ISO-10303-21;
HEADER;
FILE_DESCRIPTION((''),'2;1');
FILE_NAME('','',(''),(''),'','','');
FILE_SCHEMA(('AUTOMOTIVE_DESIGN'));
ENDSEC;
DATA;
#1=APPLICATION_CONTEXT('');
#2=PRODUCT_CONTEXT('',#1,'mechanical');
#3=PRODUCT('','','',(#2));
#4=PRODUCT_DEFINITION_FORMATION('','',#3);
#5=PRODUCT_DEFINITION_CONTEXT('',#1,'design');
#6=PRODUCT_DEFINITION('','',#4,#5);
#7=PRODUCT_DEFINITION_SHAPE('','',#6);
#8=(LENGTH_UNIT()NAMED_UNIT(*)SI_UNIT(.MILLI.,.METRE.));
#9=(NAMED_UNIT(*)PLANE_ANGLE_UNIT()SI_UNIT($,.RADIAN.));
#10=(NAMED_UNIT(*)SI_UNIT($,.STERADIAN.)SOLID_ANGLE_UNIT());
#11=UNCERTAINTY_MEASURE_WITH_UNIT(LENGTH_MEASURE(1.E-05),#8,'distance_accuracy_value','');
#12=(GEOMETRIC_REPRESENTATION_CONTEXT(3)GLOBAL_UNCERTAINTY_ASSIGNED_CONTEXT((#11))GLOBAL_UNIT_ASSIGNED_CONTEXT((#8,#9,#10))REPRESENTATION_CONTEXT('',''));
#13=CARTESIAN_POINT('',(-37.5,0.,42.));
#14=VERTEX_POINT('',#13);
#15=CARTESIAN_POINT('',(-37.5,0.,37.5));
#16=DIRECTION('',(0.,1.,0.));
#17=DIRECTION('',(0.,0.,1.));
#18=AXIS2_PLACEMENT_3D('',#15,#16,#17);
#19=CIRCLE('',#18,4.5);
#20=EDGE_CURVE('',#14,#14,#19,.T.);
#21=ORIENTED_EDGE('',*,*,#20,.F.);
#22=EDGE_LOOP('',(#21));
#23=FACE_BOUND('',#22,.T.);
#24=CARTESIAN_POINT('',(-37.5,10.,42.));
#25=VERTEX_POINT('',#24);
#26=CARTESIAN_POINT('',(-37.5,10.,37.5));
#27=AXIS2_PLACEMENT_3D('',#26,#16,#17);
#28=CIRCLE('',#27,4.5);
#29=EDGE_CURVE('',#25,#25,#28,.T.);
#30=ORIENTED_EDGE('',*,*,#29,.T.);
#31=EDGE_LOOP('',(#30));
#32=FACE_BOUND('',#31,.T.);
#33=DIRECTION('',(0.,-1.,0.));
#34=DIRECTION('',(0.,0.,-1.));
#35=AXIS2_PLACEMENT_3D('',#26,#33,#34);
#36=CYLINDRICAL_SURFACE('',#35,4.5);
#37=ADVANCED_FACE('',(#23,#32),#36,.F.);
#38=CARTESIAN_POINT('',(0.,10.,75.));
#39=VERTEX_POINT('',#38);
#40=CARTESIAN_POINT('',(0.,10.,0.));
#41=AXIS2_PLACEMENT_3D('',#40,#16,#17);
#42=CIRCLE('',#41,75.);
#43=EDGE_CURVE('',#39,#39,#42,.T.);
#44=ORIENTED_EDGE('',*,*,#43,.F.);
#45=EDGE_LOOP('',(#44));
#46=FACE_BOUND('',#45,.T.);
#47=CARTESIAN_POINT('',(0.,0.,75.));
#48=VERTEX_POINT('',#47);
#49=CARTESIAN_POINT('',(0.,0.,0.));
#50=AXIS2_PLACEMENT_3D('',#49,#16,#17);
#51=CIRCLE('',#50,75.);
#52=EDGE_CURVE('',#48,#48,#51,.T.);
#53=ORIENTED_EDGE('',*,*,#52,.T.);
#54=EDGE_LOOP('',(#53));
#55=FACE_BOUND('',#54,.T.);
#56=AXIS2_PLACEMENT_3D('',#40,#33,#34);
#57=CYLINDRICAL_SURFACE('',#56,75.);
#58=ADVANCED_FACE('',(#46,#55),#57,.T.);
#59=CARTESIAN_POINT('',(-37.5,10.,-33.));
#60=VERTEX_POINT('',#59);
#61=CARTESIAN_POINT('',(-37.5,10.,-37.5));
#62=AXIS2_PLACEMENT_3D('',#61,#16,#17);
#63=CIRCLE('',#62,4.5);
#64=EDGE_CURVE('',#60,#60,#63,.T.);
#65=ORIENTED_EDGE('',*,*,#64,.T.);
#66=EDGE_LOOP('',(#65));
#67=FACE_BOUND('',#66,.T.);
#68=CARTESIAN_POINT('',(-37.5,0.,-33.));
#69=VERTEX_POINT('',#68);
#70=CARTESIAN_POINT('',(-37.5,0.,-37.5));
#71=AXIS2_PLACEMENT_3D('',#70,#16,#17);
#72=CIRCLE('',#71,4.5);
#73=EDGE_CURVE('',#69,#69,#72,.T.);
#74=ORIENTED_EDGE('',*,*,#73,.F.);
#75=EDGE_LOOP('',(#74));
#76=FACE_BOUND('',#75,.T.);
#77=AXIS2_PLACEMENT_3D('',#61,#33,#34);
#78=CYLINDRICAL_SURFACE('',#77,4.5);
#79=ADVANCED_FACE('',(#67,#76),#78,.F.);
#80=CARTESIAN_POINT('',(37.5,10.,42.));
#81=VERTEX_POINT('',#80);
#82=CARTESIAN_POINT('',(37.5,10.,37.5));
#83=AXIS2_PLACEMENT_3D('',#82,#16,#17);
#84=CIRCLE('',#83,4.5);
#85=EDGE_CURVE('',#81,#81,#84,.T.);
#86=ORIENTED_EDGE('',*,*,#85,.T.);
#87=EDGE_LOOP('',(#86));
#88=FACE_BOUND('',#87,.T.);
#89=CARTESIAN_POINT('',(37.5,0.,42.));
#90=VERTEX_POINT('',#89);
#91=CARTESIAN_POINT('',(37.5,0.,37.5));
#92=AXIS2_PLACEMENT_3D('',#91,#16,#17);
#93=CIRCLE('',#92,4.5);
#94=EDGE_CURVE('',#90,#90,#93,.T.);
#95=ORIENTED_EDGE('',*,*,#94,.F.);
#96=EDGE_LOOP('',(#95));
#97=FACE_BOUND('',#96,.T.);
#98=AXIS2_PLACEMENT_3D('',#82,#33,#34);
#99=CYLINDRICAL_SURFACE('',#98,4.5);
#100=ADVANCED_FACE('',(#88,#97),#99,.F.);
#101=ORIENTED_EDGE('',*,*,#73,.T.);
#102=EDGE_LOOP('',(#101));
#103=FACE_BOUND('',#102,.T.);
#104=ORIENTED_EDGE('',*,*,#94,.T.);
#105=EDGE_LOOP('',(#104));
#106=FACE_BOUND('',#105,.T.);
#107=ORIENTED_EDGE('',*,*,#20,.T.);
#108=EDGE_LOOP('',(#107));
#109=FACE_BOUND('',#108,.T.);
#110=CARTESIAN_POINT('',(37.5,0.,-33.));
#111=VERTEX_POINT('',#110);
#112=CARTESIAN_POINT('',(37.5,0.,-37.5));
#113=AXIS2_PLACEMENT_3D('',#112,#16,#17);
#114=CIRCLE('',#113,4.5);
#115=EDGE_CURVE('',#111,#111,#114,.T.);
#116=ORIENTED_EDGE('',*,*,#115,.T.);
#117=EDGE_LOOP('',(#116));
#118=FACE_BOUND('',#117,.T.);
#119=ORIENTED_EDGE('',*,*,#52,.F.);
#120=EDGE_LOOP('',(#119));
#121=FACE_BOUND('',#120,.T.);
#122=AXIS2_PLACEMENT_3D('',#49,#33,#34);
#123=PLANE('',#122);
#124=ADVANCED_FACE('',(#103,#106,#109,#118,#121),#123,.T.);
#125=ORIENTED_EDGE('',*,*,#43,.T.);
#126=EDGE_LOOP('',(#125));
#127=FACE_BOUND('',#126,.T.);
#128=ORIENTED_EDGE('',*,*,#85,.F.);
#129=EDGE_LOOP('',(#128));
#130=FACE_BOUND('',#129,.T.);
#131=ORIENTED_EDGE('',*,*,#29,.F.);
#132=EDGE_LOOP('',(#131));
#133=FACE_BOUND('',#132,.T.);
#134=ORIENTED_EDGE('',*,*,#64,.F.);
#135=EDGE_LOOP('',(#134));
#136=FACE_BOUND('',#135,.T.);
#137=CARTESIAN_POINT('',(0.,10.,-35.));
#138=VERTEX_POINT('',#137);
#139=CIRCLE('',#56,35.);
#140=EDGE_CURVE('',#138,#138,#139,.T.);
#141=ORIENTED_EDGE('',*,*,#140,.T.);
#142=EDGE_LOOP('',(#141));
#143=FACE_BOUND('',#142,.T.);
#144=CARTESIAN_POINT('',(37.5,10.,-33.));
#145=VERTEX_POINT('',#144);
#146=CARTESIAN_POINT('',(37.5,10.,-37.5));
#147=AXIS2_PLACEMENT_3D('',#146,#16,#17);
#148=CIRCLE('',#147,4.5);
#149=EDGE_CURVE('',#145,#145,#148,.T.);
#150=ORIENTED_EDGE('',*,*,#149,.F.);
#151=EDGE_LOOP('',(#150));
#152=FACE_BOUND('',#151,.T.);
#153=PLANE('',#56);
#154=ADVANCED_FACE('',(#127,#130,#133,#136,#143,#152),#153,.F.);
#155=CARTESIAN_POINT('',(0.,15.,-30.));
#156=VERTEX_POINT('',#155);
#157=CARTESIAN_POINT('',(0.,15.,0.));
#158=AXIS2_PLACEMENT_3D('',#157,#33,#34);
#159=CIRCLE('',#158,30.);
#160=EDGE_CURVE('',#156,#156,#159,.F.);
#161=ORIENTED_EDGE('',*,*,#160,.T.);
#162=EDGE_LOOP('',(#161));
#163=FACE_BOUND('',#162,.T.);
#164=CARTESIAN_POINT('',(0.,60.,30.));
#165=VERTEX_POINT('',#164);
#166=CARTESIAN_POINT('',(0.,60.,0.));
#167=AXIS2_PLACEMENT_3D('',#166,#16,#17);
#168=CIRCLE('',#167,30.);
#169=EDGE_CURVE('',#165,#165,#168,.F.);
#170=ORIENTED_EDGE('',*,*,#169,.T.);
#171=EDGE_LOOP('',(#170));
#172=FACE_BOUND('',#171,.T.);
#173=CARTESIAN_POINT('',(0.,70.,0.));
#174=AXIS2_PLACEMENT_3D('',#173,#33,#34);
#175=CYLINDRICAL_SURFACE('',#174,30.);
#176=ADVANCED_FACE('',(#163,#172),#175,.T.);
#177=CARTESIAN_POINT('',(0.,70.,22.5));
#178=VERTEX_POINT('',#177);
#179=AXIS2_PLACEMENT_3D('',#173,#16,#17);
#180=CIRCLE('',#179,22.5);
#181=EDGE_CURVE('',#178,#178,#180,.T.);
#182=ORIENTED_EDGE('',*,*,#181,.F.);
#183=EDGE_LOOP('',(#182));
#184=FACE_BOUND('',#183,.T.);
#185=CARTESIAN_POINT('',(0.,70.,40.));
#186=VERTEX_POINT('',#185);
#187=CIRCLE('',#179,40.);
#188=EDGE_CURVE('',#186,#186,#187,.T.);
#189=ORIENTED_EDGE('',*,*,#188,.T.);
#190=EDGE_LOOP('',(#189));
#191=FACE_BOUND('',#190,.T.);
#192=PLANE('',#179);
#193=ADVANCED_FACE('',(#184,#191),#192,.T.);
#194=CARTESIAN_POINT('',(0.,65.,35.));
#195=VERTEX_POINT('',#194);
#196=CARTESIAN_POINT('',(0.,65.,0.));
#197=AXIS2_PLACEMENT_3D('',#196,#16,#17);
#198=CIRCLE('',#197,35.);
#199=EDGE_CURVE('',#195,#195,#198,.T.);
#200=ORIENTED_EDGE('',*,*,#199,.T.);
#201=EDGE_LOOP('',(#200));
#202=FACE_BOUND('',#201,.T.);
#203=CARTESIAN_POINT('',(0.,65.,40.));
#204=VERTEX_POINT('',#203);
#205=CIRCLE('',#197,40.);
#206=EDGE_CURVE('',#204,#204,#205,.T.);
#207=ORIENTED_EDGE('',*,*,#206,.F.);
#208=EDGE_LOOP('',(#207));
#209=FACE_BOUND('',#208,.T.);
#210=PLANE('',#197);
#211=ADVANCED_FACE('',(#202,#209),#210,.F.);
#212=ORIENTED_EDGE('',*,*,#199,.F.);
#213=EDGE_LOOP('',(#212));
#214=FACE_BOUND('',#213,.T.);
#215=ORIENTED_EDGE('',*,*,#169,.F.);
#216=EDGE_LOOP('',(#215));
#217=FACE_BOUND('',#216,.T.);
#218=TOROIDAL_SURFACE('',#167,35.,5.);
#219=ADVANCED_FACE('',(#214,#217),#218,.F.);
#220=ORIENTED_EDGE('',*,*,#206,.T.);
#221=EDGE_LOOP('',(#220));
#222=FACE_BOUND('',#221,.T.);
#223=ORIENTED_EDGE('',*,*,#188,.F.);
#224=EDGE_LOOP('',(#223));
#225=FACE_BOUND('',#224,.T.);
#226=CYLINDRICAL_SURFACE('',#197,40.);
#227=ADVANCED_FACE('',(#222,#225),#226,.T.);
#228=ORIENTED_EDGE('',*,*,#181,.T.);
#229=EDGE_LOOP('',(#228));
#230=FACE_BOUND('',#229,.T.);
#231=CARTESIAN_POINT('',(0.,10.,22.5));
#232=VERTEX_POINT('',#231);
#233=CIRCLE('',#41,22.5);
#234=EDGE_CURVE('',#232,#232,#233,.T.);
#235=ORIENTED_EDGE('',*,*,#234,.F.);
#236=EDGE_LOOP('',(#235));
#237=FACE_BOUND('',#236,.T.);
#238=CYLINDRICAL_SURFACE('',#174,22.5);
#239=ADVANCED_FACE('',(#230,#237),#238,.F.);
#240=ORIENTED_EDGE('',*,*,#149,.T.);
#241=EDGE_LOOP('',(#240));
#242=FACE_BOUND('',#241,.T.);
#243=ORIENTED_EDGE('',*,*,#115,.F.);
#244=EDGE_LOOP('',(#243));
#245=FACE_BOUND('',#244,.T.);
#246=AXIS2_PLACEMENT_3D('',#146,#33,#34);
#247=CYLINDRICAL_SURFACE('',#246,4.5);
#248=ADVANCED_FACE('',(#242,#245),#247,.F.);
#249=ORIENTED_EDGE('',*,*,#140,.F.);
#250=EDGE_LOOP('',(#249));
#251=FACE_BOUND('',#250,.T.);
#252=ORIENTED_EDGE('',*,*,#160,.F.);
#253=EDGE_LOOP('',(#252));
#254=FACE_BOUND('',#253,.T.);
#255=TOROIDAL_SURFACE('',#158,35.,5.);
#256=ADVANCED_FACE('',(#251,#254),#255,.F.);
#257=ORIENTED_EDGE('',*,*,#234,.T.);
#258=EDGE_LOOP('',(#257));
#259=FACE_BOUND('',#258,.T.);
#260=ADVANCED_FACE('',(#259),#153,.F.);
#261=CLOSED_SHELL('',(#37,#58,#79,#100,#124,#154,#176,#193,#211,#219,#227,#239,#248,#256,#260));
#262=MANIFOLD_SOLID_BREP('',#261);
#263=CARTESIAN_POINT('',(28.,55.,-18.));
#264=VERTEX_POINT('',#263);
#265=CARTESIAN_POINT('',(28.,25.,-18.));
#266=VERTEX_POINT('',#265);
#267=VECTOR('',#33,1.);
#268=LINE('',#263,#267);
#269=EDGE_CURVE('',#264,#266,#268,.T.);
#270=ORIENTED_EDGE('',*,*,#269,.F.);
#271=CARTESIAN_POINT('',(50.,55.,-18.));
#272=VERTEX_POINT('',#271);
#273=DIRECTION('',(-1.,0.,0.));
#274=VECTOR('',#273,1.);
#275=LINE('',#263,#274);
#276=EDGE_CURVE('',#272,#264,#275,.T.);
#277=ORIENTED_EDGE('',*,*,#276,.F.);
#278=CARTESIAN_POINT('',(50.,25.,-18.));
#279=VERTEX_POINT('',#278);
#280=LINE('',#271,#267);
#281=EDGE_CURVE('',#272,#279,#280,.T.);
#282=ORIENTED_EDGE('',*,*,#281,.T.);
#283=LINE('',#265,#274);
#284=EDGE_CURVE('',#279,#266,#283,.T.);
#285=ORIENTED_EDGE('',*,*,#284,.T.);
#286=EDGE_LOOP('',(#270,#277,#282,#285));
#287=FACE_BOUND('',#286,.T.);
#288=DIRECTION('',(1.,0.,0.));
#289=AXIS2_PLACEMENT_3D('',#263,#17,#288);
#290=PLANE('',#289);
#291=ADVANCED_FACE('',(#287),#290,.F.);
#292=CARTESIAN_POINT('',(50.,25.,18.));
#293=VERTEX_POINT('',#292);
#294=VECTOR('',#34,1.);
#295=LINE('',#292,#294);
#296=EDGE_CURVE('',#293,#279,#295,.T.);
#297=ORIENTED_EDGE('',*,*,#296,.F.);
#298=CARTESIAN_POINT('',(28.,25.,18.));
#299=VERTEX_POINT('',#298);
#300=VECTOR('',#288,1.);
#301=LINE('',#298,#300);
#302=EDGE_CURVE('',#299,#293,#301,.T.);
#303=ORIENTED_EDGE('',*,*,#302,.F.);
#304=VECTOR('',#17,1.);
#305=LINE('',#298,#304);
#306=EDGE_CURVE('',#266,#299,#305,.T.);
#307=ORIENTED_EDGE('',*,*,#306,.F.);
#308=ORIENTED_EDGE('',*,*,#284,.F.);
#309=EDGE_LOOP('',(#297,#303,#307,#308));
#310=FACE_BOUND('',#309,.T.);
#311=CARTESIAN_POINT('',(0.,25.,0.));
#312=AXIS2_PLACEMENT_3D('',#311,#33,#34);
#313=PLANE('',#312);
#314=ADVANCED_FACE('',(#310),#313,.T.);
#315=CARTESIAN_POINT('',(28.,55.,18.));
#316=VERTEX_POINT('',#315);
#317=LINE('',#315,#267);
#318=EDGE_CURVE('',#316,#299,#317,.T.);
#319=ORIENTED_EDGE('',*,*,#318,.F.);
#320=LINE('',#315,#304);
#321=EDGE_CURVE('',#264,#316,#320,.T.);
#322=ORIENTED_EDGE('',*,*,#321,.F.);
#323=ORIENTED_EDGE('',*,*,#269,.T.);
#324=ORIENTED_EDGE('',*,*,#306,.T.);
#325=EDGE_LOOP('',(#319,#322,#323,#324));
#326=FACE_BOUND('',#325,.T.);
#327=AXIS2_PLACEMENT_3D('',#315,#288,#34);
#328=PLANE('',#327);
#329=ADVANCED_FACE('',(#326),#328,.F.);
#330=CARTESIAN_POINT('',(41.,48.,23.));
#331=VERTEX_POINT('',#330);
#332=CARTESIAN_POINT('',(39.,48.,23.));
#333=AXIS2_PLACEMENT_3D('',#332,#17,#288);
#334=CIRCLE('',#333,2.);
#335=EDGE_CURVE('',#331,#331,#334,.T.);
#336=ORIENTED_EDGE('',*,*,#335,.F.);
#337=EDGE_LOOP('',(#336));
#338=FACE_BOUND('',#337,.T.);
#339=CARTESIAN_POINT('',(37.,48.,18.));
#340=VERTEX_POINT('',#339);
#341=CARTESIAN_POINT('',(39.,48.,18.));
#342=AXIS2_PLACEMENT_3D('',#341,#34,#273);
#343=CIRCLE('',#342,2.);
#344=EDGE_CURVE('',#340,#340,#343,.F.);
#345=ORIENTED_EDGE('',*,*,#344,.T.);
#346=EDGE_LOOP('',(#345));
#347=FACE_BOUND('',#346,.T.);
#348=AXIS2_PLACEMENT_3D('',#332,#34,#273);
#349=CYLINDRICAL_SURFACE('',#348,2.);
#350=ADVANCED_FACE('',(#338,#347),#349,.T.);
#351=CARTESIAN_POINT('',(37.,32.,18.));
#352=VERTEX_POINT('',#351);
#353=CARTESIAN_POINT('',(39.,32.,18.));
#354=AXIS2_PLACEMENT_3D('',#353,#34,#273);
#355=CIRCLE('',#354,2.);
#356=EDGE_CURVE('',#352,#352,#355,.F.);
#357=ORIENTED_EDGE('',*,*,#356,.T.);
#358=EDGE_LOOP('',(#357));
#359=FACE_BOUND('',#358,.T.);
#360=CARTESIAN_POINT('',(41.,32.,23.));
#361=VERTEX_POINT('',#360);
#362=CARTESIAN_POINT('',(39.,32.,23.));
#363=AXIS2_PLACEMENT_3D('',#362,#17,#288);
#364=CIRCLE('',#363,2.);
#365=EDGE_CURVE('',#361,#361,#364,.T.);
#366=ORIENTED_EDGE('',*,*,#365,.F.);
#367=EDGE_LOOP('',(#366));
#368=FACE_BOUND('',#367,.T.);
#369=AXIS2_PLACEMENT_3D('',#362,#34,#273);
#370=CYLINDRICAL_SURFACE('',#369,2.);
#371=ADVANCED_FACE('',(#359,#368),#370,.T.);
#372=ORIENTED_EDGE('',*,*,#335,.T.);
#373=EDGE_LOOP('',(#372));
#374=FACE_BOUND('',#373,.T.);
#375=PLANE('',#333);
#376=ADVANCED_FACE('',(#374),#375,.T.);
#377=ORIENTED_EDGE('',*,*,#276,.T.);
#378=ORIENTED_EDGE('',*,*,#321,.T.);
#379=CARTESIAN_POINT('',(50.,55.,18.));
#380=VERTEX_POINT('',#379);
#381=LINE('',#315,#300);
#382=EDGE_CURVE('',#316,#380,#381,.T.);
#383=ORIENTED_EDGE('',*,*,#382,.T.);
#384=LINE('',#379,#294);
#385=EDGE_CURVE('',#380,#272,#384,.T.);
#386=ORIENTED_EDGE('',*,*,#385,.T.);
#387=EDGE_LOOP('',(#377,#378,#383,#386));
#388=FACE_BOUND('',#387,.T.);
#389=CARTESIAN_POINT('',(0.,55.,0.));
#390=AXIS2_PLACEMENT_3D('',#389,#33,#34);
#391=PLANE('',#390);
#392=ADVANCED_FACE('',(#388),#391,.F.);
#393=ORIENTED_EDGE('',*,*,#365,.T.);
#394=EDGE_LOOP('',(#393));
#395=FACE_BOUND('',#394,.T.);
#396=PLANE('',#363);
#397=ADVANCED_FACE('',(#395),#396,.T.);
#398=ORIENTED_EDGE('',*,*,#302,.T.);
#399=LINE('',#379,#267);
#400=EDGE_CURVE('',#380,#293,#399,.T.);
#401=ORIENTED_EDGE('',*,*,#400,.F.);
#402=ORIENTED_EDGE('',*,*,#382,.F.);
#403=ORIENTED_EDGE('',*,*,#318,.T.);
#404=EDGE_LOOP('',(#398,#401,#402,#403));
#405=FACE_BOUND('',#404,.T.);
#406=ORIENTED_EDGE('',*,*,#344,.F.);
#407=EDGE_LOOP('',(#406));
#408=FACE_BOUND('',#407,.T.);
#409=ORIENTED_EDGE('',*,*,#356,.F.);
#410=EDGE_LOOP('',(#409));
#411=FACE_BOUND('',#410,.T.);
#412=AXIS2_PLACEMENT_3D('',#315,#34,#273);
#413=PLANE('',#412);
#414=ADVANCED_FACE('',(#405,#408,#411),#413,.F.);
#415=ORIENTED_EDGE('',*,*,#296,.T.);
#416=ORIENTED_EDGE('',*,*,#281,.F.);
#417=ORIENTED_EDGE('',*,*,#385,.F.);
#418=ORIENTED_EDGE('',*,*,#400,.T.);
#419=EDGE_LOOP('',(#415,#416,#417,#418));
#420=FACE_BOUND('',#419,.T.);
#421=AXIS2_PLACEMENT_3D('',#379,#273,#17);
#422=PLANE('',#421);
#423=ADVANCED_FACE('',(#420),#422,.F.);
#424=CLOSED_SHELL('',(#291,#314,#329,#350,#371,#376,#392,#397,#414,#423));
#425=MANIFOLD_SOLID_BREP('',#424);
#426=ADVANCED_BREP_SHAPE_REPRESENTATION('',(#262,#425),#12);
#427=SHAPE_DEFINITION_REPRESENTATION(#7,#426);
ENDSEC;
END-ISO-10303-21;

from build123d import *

# Parameters (mm, degrees)
IZIM1_W                     = 100
IZIM1_H                     = 100
IZIM1_R                     = 4.5
Y_KSEKLIK_EKSTR_ZYON1_DEPTH = 10
IZIM3_R                     = 30
IZIM3_R_2                   = 22.5
Y_KSEKLIK_EKSTR_ZYON2_DEPTH = 60
IZIM4_R                     = 40
IZIM4_R_2                   = 30
Y_KSEKLIK_EKSTR_ZYON3_DEPTH = 5
RADYUS1_R                   = 5
Y_KSEKLIK_EKSTR_ZYON4_START = 40
IZIM5_W                     = 22
IZIM5_H                     = 36
Y_KSEKLIK_EKSTR_ZYON4_DEPTH = 15
IZIM6_R                     = 2
Y_KSEKLIK_EKSTR_ZYON5_DEPTH = 5
IZIM7_R                     = 75
Y_KSEKLIK_EKSTR_ZYON6_DEPTH = 10


with BuildPart() as part:
    # Çizim1 → Yükseklik-Ekstrüzyon1 (new body)
    with BuildSketch(Plane(origin=(0, 0, 0), x_dir=(1, 0, 0), z_dir=(0, 1, 0))):
        Rectangle(IZIM1_W, IZIM1_H)
        with Locations((-37.5, 37.5)):
            Circle(IZIM1_R, mode=Mode.SUBTRACT)
        with Locations((37.5, 37.5)):
            Circle(IZIM1_R, mode=Mode.SUBTRACT)
        with Locations((37.5, -37.5)):
            Circle(IZIM1_R, mode=Mode.SUBTRACT)
        with Locations((-37.5, -37.5)):
            Circle(IZIM1_R, mode=Mode.SUBTRACT)
    extrude(amount=Y_KSEKLIK_EKSTR_ZYON1_DEPTH)

    # Çizim3 → Yükseklik-Ekstrüzyon2 (add)
    with BuildSketch(Plane(origin=(0, 10, 0), x_dir=(1, 0, 0), z_dir=(0, 1, 0))):
        Circle(IZIM3_R)
        Circle(IZIM3_R_2, mode=Mode.SUBTRACT)
    extrude(amount=Y_KSEKLIK_EKSTR_ZYON2_DEPTH)

    # Çizim4 → Yükseklik-Ekstrüzyon3 (add)
    with BuildSketch(Plane(origin=(0, 70, 0), x_dir=(1, 0, 0), z_dir=(0, 1, 0))):
        Circle(IZIM4_R)
        Circle(IZIM4_R_2, mode=Mode.SUBTRACT)
    extrude(amount=-Y_KSEKLIK_EKSTR_ZYON3_DEPTH)

    # Radyus1
    radyus1_edges = [part.edges().sort_by_distance(p)[0] for p in [
        (-30, 10, 0),
        (-30, 65, 0),
        (50, 5, 50),
        (-50, 5, 50),
        (-50, 5, -50),
        (50, 5, -50),
    ]]
    fillet(radyus1_edges, radius=RADYUS1_R)

    # Çizim7 → Yükseklik-Ekstrüzyon6 (add)
    with BuildSketch(Plane(origin=(0, 0, 0), x_dir=(1, 0, 0), z_dir=(0, 1, 0))):
        Circle(IZIM7_R)
        with BuildLine():
            Line((45, 50), (-45, 50))
            ThreePointArc((-45, 50), (-48.535533906, 48.535533906), (-50, 45))
            Line((-50, 45), (-50, -45))
            ThreePointArc((-50, -45), (-48.535533906, -48.535533906), (-45, -50))
            Line((-45, -50), (45, -50))
            ThreePointArc((45, -50), (48.535533906, -48.535533906), (50, -45))
            Line((50, -45), (50, 45))
            ThreePointArc((50, 45), (48.535533906, 48.535533906), (45, 50))
        make_face(mode=Mode.SUBTRACT)
    extrude(amount=Y_KSEKLIK_EKSTR_ZYON6_DEPTH)


with BuildPart() as body_2:
    # Çizim5 → Yükseklik-Ekstrüzyon4 (new body, symmetric)
    with BuildSketch(Plane(origin=(0, 0, 0), x_dir=(1, 0, 0), z_dir=(0, 1, 0)).offset(Y_KSEKLIK_EKSTR_ZYON4_START)):
        with Locations((39, 0)):
            Rectangle(IZIM5_W, IZIM5_H)
    extrude(amount=Y_KSEKLIK_EKSTR_ZYON4_DEPTH, both=True)

    # Çizim6 → Yükseklik-Ekstrüzyon5 (add)
    with BuildSketch(Plane.XY.offset(18)):
        with Locations((39, 48)):
            Circle(IZIM6_R)
        with Locations((39, 32)):
            Circle(IZIM6_R)
    extrude(amount=Y_KSEKLIK_EKSTR_ZYON5_DEPTH)


solid = Compound([part.part, body_2.part])
